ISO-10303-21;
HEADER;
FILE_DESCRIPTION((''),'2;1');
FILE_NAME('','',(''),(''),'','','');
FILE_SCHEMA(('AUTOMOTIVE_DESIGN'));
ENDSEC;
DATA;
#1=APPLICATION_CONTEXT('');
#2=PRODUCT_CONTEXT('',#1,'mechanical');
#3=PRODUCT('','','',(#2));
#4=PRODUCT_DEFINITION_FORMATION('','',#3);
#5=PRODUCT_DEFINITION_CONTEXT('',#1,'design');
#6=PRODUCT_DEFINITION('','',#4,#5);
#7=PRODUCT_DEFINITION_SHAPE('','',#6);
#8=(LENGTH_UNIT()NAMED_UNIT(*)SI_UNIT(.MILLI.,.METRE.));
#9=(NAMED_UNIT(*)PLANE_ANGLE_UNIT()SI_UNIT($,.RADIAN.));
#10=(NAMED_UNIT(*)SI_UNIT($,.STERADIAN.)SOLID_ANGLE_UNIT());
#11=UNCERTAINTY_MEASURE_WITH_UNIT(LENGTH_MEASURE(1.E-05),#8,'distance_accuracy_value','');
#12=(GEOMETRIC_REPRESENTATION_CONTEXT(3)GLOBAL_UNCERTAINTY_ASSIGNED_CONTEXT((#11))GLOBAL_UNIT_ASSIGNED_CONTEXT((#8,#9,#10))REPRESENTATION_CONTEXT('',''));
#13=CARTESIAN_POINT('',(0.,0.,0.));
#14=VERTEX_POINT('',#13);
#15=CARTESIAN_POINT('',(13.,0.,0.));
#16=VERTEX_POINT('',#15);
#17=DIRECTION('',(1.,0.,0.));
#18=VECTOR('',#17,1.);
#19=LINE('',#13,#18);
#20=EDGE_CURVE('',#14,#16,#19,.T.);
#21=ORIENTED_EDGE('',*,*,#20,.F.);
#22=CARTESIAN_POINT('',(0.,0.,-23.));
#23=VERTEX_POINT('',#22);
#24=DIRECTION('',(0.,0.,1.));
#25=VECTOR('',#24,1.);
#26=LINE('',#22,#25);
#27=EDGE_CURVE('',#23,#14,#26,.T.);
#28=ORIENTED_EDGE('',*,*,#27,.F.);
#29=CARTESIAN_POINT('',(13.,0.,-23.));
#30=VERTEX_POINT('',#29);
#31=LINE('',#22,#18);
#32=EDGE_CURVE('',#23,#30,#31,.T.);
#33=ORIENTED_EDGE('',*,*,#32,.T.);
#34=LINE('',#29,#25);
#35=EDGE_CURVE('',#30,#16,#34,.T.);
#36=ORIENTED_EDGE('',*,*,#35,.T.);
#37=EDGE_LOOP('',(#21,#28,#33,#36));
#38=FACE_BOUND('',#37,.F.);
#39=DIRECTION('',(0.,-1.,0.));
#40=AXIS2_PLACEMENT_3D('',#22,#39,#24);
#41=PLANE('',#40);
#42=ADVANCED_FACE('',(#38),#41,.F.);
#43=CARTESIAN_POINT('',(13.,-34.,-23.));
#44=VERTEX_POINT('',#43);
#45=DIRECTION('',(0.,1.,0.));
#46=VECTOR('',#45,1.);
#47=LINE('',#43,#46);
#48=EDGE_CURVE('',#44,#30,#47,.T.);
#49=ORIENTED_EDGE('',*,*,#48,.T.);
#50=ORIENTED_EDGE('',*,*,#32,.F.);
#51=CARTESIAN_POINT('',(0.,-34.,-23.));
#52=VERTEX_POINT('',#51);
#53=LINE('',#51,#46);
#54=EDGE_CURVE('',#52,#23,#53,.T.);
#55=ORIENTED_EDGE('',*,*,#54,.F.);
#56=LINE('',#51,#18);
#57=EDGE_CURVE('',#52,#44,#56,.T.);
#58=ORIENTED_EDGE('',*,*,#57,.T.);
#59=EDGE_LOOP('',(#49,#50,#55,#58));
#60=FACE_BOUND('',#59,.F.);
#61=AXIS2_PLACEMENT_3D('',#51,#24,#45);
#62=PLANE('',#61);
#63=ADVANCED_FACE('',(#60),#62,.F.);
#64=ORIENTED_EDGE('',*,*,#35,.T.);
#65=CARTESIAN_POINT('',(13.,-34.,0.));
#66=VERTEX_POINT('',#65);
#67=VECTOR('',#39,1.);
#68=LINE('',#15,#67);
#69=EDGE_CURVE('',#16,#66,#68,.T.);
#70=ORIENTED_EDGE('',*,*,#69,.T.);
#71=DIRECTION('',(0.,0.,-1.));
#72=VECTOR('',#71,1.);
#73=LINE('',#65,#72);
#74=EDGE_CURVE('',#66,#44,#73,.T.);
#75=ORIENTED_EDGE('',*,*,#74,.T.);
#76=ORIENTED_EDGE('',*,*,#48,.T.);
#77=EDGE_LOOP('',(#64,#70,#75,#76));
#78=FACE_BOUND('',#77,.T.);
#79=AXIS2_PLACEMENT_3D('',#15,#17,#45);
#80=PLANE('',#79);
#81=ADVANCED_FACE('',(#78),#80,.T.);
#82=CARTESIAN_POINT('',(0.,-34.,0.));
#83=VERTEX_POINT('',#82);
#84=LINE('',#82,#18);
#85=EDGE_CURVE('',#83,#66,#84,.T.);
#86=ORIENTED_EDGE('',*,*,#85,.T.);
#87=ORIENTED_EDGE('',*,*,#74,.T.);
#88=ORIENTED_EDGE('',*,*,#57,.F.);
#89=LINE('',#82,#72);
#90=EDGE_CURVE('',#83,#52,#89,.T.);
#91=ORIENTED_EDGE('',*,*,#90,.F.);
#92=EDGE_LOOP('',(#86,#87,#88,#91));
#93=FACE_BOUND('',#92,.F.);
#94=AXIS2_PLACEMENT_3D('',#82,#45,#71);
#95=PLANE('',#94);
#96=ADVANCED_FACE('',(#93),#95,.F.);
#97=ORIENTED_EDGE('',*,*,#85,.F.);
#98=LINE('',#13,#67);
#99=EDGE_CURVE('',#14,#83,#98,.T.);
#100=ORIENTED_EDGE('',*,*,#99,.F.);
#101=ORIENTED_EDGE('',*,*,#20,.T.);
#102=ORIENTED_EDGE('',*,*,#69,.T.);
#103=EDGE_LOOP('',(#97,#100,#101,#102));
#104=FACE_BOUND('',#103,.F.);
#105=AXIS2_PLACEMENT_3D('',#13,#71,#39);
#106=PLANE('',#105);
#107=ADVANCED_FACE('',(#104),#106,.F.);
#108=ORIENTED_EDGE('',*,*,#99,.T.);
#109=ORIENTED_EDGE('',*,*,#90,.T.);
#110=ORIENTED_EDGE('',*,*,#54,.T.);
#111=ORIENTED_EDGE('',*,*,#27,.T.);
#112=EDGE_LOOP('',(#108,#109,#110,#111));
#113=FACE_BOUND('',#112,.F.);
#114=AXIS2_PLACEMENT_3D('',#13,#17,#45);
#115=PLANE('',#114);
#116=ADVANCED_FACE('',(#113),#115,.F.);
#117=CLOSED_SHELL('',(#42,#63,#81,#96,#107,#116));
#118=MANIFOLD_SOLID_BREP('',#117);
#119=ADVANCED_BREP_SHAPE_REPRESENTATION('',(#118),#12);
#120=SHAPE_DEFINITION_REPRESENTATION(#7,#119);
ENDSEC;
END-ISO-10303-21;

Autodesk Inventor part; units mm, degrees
ref_plane "YZ Plane" through (0, 0, 0) normal (1, 0, 0) x (0, 1, 0)
ref_plane "XZ Plane" through (0, 0, 0) normal (0, 1, 0) x (-1, 0, 0)
ref_plane "XY Plane" through (0, 0, 0) normal (0, 0, 1) x (1, 0, 0)
sketch "Boceto1" plane through (0, 0, 0) normal (1, 0, 0) x (0, 1, 0)
  line L0 (0, 0) -> (-34, 0)
  line L1 (-34, 0) -> (-34, -23)
  line L2 (-34, -23) -> (0, -23)
  line L3 (0, -23) -> (0, 0)
  dimension "d0" = 34
  dimension "d1" = 23
extrude "Extrusión1" add sketch "Boceto1" along normal blind 13
properties part number "Receptor"
